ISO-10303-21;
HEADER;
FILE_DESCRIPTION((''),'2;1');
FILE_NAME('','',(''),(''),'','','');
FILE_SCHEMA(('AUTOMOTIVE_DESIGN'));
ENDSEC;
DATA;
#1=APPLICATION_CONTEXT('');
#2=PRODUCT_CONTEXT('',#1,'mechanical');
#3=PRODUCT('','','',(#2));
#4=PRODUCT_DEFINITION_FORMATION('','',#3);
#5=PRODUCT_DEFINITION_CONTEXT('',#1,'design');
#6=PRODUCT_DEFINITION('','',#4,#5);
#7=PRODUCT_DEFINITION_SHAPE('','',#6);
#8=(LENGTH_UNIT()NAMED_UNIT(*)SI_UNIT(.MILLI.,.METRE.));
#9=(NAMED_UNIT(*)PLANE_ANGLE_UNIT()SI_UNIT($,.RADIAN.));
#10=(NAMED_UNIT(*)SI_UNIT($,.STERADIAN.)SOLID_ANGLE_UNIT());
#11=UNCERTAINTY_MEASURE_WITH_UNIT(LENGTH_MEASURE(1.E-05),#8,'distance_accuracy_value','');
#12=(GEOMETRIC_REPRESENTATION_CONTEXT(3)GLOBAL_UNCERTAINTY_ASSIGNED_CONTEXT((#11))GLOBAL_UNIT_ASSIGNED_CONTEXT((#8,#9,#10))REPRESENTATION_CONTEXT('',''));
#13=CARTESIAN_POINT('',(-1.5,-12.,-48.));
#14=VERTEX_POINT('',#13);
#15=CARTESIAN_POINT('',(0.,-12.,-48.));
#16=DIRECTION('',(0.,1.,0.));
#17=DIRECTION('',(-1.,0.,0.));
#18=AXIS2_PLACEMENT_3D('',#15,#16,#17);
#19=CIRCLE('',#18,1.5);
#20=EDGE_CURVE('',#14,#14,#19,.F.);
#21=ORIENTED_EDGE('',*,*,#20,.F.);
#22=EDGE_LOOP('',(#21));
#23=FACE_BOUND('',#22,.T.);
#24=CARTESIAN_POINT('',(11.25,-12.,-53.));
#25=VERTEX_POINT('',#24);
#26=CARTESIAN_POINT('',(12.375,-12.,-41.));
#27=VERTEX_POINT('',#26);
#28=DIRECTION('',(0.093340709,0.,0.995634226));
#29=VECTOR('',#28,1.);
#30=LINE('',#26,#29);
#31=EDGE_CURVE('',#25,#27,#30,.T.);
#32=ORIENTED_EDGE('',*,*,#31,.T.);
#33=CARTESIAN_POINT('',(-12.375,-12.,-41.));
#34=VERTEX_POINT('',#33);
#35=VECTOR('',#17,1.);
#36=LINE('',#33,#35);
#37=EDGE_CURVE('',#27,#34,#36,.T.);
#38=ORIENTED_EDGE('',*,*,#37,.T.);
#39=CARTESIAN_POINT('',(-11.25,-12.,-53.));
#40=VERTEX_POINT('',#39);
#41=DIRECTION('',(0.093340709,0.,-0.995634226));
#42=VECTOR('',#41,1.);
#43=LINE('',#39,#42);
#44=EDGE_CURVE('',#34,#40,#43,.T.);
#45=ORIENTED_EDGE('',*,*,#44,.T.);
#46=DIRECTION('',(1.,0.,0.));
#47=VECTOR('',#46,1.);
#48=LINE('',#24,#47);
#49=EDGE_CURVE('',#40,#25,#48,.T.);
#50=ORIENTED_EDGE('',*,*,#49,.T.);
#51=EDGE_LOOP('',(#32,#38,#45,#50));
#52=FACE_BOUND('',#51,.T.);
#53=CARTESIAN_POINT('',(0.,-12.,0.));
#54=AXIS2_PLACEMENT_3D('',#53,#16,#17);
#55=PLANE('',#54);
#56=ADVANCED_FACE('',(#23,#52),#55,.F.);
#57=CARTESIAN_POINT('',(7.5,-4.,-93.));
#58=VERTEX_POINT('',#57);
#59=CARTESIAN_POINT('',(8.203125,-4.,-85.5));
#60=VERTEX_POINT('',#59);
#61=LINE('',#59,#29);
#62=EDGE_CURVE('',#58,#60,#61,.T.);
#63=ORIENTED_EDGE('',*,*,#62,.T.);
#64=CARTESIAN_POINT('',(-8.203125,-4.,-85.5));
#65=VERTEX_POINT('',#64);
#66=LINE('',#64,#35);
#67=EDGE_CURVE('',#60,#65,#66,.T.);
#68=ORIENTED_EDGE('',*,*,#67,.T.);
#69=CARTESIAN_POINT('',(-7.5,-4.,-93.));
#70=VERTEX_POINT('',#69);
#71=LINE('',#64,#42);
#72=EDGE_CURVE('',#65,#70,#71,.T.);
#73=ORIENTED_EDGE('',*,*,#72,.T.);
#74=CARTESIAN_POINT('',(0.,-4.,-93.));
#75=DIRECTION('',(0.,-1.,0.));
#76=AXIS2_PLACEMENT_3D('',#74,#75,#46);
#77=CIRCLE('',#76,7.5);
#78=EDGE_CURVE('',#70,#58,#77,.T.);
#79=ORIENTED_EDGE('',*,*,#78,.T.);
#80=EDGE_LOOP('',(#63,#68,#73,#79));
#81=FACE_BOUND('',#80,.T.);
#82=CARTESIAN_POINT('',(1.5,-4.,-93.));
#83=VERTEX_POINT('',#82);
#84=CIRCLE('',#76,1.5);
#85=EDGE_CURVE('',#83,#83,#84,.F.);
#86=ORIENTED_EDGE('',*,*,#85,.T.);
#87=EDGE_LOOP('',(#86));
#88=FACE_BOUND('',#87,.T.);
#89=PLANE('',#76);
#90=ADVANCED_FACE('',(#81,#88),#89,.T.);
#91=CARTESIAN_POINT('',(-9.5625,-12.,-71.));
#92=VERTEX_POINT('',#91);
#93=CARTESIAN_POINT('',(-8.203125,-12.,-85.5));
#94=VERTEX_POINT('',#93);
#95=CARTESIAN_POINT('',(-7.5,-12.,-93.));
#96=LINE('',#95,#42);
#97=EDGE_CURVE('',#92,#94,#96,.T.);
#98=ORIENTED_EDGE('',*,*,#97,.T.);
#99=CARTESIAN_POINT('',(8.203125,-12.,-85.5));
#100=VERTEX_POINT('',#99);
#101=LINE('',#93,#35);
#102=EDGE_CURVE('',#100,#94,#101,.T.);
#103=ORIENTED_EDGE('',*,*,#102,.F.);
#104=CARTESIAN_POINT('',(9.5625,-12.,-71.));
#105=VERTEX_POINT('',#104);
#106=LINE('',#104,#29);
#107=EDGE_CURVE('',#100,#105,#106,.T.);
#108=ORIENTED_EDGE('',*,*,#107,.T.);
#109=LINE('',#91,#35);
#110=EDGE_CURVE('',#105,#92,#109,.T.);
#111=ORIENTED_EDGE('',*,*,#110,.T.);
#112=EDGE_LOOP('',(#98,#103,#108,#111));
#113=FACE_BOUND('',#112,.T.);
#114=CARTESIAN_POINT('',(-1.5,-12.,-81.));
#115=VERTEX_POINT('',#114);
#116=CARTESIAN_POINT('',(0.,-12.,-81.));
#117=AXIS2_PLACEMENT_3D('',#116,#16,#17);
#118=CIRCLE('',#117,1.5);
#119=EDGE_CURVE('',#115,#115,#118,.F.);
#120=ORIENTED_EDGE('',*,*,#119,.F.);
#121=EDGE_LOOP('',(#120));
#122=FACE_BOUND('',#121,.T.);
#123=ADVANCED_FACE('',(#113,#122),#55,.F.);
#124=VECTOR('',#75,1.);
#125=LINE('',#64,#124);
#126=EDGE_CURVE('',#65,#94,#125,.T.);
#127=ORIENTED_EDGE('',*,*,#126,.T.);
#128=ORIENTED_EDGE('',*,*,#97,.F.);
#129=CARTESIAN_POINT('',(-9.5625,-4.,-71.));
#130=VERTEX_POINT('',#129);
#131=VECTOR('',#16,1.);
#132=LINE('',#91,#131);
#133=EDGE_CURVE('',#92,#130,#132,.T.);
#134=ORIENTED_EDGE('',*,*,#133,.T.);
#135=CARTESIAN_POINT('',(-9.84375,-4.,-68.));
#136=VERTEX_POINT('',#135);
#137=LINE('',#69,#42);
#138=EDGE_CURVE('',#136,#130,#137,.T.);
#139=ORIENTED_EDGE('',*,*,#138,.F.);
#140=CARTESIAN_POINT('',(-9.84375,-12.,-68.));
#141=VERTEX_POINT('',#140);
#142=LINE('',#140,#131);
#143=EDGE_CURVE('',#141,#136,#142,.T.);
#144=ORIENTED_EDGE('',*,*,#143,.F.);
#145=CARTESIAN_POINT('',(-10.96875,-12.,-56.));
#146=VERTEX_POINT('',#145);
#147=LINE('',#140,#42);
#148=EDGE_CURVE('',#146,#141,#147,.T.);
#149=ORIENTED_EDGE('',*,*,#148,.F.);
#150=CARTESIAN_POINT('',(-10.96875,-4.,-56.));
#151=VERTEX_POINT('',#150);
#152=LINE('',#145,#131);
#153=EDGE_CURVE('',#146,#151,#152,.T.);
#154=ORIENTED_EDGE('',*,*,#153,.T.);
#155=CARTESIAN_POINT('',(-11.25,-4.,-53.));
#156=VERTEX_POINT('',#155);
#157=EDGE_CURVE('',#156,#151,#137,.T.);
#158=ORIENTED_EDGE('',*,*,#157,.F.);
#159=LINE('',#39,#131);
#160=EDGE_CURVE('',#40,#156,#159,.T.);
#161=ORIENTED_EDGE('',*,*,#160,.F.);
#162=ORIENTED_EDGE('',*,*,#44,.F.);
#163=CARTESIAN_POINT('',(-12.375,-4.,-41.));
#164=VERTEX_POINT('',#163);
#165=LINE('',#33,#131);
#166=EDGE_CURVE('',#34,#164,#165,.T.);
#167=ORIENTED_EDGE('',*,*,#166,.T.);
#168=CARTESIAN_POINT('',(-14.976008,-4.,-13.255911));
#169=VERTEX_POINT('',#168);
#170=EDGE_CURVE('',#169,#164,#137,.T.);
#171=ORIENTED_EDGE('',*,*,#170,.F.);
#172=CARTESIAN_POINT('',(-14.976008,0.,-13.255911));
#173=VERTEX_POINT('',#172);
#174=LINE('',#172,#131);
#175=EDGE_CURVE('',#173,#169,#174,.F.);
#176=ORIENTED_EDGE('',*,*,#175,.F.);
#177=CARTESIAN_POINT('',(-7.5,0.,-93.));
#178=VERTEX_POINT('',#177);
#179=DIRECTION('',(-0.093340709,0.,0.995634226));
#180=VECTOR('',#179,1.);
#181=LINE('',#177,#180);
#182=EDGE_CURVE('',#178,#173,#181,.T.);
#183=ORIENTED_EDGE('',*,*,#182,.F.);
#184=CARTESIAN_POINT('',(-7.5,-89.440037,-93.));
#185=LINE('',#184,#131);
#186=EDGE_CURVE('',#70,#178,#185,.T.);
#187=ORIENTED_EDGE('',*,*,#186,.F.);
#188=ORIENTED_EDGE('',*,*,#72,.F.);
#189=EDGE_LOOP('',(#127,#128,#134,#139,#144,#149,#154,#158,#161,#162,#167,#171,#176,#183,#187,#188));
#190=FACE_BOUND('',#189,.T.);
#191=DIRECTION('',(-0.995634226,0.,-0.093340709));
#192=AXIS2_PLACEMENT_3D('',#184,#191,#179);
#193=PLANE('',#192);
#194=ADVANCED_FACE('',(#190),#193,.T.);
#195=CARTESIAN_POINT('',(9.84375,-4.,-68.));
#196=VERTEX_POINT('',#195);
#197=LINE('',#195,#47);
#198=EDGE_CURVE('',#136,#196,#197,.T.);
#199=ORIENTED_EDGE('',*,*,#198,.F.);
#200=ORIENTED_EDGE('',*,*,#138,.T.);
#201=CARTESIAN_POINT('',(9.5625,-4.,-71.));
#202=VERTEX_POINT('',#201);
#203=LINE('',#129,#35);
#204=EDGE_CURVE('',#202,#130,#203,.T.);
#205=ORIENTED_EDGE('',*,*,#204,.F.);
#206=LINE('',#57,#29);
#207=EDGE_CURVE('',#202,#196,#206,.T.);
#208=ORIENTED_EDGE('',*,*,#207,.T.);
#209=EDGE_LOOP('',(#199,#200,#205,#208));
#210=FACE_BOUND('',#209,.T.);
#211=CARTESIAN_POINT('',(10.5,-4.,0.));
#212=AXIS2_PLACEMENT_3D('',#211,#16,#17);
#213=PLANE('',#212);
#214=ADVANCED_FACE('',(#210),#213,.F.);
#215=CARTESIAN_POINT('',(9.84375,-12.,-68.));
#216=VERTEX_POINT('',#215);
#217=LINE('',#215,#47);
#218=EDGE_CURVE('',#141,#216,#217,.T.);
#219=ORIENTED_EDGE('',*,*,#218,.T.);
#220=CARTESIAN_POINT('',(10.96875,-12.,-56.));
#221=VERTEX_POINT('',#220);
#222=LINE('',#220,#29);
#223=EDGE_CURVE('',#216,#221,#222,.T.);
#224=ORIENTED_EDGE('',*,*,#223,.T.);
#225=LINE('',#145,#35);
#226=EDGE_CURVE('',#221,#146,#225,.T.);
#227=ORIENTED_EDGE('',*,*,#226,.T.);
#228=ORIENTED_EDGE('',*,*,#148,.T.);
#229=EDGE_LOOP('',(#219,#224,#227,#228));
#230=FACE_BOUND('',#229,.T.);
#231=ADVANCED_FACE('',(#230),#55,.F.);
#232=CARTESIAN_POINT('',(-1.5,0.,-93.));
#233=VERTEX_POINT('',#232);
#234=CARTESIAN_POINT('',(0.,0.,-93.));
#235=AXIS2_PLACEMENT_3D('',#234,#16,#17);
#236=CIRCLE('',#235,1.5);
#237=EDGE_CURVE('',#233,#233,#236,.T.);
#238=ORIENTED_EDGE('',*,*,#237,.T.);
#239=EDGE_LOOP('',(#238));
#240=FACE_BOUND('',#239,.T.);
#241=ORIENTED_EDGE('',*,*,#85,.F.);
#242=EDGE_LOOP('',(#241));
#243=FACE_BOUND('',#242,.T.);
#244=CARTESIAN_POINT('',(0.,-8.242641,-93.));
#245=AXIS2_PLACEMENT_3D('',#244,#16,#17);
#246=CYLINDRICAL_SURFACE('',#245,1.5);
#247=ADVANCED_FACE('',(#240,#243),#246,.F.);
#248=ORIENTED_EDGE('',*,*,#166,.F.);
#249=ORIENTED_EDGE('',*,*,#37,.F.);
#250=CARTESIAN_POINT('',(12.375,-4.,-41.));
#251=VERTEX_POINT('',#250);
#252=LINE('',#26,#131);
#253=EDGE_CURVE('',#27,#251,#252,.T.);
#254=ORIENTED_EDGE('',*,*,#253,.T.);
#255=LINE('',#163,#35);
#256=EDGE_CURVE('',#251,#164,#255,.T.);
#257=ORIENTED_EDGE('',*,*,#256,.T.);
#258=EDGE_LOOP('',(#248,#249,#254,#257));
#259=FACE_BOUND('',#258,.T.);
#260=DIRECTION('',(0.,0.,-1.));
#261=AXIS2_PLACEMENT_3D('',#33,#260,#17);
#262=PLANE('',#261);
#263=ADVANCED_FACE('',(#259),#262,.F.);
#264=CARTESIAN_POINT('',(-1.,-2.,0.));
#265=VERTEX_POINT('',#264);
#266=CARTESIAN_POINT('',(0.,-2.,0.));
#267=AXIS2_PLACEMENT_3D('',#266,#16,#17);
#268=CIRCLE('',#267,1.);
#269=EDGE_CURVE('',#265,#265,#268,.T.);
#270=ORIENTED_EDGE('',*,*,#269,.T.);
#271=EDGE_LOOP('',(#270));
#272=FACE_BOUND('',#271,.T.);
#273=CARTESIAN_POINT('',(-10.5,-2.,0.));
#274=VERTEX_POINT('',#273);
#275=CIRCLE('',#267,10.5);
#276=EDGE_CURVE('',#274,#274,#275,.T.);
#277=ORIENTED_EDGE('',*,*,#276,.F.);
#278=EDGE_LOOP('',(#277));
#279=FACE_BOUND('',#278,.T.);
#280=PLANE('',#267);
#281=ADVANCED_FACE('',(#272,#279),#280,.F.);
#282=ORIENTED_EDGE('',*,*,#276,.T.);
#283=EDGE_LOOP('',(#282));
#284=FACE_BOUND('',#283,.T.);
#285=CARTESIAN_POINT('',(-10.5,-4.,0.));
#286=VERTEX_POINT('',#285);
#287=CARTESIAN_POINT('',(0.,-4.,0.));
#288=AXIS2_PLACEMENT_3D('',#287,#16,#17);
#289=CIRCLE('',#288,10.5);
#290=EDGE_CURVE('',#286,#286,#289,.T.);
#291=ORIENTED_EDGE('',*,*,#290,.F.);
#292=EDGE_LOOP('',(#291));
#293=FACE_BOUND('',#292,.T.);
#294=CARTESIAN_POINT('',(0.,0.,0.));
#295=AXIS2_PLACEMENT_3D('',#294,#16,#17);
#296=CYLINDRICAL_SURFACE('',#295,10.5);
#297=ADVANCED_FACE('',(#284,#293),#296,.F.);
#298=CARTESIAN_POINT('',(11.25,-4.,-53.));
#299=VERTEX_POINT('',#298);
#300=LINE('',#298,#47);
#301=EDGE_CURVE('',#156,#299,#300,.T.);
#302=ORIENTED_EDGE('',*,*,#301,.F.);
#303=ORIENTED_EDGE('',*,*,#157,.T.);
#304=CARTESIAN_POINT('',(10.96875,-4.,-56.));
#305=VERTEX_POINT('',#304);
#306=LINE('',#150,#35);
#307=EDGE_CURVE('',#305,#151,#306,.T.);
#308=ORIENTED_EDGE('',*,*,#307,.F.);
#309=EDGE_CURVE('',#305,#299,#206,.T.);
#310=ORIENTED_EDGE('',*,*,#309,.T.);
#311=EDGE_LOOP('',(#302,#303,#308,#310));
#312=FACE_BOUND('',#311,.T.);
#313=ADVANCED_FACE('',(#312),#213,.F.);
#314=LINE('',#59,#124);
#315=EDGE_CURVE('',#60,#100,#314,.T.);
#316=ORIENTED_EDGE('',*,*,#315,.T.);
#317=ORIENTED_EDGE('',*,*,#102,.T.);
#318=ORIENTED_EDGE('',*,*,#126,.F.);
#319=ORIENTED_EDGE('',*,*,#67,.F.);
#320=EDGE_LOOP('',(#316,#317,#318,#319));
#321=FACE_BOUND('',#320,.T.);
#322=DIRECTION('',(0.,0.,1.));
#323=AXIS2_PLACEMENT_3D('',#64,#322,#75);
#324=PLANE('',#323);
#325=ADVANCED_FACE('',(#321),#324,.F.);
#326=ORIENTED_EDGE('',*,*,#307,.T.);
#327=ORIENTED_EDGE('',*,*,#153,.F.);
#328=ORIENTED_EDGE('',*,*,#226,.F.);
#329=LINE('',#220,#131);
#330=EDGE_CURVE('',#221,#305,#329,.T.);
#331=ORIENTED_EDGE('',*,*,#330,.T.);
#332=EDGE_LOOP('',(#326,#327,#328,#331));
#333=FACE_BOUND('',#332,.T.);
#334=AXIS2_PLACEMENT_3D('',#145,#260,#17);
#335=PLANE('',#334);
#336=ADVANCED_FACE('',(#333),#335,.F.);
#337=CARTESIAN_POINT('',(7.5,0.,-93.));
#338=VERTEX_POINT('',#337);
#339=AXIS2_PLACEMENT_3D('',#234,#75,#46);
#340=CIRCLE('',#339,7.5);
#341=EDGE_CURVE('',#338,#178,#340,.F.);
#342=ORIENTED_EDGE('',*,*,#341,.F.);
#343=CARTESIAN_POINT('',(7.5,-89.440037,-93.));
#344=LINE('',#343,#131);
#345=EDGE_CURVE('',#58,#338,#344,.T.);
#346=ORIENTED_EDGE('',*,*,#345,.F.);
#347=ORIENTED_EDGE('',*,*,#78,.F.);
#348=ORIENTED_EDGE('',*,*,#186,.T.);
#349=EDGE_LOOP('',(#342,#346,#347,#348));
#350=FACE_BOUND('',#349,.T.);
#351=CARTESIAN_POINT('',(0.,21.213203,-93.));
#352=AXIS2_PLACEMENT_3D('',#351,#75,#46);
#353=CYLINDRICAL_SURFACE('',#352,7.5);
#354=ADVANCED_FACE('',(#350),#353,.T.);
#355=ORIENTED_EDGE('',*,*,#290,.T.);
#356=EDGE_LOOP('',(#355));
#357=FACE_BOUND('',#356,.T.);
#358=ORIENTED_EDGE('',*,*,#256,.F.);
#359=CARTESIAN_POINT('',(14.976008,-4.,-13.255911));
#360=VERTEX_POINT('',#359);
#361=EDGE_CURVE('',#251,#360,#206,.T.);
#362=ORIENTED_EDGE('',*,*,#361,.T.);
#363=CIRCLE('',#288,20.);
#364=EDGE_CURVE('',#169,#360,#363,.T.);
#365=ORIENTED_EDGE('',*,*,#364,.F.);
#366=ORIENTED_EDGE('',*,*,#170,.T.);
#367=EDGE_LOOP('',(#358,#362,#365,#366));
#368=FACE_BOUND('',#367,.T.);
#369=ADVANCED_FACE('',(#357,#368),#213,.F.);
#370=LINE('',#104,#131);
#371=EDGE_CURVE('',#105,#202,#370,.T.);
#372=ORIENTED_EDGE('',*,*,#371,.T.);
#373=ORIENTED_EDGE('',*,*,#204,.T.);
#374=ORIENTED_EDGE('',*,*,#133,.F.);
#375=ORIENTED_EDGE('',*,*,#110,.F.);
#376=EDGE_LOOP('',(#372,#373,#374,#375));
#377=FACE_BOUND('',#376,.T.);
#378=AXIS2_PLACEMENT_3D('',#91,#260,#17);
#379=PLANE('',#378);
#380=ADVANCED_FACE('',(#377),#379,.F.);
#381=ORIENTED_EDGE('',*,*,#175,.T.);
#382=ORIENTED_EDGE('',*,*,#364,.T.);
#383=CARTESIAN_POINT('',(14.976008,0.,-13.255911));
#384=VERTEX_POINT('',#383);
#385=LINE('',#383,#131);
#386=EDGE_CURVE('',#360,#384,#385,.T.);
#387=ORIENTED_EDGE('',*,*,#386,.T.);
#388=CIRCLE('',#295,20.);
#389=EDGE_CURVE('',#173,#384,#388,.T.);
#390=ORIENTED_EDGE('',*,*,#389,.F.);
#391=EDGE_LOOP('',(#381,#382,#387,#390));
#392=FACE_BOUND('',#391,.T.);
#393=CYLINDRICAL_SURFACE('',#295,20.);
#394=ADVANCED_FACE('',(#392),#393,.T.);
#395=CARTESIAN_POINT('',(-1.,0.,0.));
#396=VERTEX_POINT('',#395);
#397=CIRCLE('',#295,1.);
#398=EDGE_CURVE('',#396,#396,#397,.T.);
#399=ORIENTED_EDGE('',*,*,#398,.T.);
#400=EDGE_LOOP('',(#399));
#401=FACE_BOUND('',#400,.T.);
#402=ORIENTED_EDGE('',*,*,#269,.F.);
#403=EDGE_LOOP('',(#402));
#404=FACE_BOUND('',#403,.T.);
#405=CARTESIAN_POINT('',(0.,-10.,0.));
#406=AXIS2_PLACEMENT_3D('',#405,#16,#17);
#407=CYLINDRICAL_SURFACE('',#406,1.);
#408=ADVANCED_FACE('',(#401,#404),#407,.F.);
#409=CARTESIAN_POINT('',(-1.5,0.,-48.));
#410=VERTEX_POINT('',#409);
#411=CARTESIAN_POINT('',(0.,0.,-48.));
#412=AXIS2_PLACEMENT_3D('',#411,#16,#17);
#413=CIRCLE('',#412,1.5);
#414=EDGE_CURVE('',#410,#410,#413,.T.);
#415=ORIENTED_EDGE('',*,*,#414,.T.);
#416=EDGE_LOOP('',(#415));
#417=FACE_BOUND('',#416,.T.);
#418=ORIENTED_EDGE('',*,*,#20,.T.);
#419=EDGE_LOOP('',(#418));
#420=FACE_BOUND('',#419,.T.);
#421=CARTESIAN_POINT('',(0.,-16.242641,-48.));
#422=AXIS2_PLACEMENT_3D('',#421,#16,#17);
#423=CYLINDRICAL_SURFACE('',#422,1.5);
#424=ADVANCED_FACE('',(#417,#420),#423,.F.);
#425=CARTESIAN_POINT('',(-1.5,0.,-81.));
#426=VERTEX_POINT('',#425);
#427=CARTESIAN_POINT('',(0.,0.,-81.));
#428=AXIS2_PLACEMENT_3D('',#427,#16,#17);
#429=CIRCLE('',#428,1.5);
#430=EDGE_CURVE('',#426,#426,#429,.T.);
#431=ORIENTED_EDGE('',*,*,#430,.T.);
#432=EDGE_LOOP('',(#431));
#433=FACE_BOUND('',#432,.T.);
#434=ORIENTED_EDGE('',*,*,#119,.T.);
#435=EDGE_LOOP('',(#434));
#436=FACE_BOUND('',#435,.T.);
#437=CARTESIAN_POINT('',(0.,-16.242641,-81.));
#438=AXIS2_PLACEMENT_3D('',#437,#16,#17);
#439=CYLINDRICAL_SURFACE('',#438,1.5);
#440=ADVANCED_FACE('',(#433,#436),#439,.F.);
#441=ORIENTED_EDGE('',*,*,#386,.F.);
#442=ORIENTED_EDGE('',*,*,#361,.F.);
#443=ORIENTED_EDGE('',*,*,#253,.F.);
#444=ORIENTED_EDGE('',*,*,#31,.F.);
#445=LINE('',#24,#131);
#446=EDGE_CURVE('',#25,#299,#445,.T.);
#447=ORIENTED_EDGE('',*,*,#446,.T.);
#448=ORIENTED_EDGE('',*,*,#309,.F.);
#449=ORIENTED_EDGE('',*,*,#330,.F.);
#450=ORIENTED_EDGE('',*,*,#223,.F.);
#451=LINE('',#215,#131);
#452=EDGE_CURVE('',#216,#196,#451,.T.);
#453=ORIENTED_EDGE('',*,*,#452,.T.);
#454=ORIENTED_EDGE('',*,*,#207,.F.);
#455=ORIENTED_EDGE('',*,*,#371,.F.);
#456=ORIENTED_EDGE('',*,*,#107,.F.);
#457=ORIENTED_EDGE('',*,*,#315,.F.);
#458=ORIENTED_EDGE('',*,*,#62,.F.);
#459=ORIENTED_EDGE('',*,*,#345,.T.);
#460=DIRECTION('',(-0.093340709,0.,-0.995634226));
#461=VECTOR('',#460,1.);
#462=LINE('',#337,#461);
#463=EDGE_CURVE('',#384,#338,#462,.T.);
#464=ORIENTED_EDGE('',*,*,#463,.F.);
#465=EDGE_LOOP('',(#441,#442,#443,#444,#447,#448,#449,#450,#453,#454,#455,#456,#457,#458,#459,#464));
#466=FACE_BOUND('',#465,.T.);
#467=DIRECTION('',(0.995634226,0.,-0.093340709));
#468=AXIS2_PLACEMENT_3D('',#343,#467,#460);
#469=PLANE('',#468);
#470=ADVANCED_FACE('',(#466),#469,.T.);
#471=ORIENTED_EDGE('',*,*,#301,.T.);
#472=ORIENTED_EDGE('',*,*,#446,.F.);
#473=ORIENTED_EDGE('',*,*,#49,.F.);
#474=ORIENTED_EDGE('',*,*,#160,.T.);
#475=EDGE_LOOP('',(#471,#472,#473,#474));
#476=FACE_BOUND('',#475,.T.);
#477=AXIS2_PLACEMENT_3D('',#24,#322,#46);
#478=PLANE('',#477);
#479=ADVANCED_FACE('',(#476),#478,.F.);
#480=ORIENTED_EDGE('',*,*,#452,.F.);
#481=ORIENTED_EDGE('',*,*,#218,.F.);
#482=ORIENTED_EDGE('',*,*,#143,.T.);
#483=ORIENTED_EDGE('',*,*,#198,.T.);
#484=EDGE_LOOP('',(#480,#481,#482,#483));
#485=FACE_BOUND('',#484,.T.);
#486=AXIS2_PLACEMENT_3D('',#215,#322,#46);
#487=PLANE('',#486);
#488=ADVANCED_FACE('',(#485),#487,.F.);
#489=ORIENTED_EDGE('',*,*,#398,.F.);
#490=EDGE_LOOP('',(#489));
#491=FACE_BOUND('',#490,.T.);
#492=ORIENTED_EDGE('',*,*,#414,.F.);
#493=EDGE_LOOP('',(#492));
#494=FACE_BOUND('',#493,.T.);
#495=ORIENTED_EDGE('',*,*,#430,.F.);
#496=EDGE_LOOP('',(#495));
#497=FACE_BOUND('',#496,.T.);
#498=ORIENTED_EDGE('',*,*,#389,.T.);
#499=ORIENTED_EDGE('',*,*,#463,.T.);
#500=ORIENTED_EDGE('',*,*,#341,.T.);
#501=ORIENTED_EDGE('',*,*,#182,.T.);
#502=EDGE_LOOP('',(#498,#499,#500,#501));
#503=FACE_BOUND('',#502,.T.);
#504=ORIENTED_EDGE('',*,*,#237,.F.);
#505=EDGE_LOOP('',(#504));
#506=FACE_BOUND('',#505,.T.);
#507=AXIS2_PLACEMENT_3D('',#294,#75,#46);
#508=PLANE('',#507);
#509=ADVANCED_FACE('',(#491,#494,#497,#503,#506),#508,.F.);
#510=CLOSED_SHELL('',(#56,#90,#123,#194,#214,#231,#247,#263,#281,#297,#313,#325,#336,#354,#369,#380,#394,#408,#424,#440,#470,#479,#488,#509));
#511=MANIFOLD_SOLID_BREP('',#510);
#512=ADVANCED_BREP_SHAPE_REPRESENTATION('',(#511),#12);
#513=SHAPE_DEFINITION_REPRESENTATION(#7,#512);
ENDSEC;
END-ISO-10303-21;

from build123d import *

# Parameters (mm, degrees)
SKETCH2_R           = 1
CUT_EXTRUDE1_DEPTH  = 10
BOSS_EXTRUDE1_DEPTH = 4
BOSS_EXTRUDE2_DEPTH = 8
SKETCH5_R           = 1.5
CUT_EXTRUDE2_DEPTH  = 12
SKETCH6_R           = 7.5
BOSS_EXTRUDE3_DEPTH = 12
CUT_EXTRUDE3_DEPTH  = 8
SKETCH8_R           = 1.5
CUT_EXTRUDE4_DEPTH  = 4


with BuildPart() as part:
    # Sketch1 → Revolve1 (revolve)
    with BuildSketch(Plane.XY):
        Polygon((0, -2), (10.5, -2), (10.5, -4), (20, -4), (20, 0), (0, 0), align=None)
    revolve(axis=Axis((0, 0, 0), (0, -1, 0)))

    # Sketch2 → Cut-Extrude1 (cut)
    with BuildSketch(Plane(origin=(0, 0, 0), x_dir=(1, 0, 0), z_dir=(0, 1, 0))):
        Circle(SKETCH2_R)
    extrude(amount=-CUT_EXTRUDE1_DEPTH, mode=Mode.SUBTRACT)

    # Sketch3 → Boss-Extrude1 (add)
    with BuildSketch(Plane(origin=(0, 0, 0), x_dir=(1, 0, 0), z_dir=(0, 1, 0))):
        Polygon((-7.5, 93), (-15, 13), (15, 13), (7.5, 93), align=None)
    extrude(amount=-BOSS_EXTRUDE1_DEPTH)

    # Sketch4 → Boss-Extrude2 (add)
    with BuildSketch(Plane.XZ.offset(4)):
        Polygon((-12.375, -41), (12.375, -41), (11.25, -53), (-11.25, -53), align=None)
        Polygon((-10.96875, -56), (10.96875, -56), (9.84375, -68), (-9.84375, -68), align=None)
        Polygon((-9.5625, -71), (9.5625, -71), (7.5, -93), (-7.5, -93), align=None)
    extrude(amount=BOSS_EXTRUDE2_DEPTH)

    # Sketch5 → Cut-Extrude2 (cut)
    with BuildSketch(Plane(origin=(0, 0, 0), x_dir=(1, 0, 0), z_dir=(0, 1, 0))):
        with Locations((0, 48)):
            Circle(SKETCH5_R)
        with Locations((0, 81)):
            Circle(SKETCH5_R)
    extrude(amount=-CUT_EXTRUDE2_DEPTH, mode=Mode.SUBTRACT)

    # Sketch6 → Boss-Extrude3 (add)
    with BuildSketch(Plane.XZ.offset(12)):
        with Locations((0, -93)):
            Circle(SKETCH6_R)
    extrude(amount=-BOSS_EXTRUDE3_DEPTH)

    # Sketch7 → Cut-Extrude3 (cut)
    with BuildSketch(Plane.XZ.offset(12)):
        with BuildLine():
            Line((-8.203125, -85.5), (8.203125, -85.5))
            Line((8.203125, -85.5), (7.5, -93))
            ThreePointArc((7.5, -93), (0, -100.5), (-7.5, -93))
            Line((-7.5, -93), (-8.203125, -85.5))
        make_face()
    extrude(amount=-CUT_EXTRUDE3_DEPTH, mode=Mode.SUBTRACT)

    # Sketch8 → Cut-Extrude4 (cut)
    with BuildSketch(Plane(origin=(0, 0, 0), x_dir=(1, 0, 0), z_dir=(0, 1, 0))):
        with Locations((0, 93)):
            Circle(SKETCH8_R)
    extrude(amount=-CUT_EXTRUDE4_DEPTH, mode=Mode.SUBTRACT)


solid = part.part
